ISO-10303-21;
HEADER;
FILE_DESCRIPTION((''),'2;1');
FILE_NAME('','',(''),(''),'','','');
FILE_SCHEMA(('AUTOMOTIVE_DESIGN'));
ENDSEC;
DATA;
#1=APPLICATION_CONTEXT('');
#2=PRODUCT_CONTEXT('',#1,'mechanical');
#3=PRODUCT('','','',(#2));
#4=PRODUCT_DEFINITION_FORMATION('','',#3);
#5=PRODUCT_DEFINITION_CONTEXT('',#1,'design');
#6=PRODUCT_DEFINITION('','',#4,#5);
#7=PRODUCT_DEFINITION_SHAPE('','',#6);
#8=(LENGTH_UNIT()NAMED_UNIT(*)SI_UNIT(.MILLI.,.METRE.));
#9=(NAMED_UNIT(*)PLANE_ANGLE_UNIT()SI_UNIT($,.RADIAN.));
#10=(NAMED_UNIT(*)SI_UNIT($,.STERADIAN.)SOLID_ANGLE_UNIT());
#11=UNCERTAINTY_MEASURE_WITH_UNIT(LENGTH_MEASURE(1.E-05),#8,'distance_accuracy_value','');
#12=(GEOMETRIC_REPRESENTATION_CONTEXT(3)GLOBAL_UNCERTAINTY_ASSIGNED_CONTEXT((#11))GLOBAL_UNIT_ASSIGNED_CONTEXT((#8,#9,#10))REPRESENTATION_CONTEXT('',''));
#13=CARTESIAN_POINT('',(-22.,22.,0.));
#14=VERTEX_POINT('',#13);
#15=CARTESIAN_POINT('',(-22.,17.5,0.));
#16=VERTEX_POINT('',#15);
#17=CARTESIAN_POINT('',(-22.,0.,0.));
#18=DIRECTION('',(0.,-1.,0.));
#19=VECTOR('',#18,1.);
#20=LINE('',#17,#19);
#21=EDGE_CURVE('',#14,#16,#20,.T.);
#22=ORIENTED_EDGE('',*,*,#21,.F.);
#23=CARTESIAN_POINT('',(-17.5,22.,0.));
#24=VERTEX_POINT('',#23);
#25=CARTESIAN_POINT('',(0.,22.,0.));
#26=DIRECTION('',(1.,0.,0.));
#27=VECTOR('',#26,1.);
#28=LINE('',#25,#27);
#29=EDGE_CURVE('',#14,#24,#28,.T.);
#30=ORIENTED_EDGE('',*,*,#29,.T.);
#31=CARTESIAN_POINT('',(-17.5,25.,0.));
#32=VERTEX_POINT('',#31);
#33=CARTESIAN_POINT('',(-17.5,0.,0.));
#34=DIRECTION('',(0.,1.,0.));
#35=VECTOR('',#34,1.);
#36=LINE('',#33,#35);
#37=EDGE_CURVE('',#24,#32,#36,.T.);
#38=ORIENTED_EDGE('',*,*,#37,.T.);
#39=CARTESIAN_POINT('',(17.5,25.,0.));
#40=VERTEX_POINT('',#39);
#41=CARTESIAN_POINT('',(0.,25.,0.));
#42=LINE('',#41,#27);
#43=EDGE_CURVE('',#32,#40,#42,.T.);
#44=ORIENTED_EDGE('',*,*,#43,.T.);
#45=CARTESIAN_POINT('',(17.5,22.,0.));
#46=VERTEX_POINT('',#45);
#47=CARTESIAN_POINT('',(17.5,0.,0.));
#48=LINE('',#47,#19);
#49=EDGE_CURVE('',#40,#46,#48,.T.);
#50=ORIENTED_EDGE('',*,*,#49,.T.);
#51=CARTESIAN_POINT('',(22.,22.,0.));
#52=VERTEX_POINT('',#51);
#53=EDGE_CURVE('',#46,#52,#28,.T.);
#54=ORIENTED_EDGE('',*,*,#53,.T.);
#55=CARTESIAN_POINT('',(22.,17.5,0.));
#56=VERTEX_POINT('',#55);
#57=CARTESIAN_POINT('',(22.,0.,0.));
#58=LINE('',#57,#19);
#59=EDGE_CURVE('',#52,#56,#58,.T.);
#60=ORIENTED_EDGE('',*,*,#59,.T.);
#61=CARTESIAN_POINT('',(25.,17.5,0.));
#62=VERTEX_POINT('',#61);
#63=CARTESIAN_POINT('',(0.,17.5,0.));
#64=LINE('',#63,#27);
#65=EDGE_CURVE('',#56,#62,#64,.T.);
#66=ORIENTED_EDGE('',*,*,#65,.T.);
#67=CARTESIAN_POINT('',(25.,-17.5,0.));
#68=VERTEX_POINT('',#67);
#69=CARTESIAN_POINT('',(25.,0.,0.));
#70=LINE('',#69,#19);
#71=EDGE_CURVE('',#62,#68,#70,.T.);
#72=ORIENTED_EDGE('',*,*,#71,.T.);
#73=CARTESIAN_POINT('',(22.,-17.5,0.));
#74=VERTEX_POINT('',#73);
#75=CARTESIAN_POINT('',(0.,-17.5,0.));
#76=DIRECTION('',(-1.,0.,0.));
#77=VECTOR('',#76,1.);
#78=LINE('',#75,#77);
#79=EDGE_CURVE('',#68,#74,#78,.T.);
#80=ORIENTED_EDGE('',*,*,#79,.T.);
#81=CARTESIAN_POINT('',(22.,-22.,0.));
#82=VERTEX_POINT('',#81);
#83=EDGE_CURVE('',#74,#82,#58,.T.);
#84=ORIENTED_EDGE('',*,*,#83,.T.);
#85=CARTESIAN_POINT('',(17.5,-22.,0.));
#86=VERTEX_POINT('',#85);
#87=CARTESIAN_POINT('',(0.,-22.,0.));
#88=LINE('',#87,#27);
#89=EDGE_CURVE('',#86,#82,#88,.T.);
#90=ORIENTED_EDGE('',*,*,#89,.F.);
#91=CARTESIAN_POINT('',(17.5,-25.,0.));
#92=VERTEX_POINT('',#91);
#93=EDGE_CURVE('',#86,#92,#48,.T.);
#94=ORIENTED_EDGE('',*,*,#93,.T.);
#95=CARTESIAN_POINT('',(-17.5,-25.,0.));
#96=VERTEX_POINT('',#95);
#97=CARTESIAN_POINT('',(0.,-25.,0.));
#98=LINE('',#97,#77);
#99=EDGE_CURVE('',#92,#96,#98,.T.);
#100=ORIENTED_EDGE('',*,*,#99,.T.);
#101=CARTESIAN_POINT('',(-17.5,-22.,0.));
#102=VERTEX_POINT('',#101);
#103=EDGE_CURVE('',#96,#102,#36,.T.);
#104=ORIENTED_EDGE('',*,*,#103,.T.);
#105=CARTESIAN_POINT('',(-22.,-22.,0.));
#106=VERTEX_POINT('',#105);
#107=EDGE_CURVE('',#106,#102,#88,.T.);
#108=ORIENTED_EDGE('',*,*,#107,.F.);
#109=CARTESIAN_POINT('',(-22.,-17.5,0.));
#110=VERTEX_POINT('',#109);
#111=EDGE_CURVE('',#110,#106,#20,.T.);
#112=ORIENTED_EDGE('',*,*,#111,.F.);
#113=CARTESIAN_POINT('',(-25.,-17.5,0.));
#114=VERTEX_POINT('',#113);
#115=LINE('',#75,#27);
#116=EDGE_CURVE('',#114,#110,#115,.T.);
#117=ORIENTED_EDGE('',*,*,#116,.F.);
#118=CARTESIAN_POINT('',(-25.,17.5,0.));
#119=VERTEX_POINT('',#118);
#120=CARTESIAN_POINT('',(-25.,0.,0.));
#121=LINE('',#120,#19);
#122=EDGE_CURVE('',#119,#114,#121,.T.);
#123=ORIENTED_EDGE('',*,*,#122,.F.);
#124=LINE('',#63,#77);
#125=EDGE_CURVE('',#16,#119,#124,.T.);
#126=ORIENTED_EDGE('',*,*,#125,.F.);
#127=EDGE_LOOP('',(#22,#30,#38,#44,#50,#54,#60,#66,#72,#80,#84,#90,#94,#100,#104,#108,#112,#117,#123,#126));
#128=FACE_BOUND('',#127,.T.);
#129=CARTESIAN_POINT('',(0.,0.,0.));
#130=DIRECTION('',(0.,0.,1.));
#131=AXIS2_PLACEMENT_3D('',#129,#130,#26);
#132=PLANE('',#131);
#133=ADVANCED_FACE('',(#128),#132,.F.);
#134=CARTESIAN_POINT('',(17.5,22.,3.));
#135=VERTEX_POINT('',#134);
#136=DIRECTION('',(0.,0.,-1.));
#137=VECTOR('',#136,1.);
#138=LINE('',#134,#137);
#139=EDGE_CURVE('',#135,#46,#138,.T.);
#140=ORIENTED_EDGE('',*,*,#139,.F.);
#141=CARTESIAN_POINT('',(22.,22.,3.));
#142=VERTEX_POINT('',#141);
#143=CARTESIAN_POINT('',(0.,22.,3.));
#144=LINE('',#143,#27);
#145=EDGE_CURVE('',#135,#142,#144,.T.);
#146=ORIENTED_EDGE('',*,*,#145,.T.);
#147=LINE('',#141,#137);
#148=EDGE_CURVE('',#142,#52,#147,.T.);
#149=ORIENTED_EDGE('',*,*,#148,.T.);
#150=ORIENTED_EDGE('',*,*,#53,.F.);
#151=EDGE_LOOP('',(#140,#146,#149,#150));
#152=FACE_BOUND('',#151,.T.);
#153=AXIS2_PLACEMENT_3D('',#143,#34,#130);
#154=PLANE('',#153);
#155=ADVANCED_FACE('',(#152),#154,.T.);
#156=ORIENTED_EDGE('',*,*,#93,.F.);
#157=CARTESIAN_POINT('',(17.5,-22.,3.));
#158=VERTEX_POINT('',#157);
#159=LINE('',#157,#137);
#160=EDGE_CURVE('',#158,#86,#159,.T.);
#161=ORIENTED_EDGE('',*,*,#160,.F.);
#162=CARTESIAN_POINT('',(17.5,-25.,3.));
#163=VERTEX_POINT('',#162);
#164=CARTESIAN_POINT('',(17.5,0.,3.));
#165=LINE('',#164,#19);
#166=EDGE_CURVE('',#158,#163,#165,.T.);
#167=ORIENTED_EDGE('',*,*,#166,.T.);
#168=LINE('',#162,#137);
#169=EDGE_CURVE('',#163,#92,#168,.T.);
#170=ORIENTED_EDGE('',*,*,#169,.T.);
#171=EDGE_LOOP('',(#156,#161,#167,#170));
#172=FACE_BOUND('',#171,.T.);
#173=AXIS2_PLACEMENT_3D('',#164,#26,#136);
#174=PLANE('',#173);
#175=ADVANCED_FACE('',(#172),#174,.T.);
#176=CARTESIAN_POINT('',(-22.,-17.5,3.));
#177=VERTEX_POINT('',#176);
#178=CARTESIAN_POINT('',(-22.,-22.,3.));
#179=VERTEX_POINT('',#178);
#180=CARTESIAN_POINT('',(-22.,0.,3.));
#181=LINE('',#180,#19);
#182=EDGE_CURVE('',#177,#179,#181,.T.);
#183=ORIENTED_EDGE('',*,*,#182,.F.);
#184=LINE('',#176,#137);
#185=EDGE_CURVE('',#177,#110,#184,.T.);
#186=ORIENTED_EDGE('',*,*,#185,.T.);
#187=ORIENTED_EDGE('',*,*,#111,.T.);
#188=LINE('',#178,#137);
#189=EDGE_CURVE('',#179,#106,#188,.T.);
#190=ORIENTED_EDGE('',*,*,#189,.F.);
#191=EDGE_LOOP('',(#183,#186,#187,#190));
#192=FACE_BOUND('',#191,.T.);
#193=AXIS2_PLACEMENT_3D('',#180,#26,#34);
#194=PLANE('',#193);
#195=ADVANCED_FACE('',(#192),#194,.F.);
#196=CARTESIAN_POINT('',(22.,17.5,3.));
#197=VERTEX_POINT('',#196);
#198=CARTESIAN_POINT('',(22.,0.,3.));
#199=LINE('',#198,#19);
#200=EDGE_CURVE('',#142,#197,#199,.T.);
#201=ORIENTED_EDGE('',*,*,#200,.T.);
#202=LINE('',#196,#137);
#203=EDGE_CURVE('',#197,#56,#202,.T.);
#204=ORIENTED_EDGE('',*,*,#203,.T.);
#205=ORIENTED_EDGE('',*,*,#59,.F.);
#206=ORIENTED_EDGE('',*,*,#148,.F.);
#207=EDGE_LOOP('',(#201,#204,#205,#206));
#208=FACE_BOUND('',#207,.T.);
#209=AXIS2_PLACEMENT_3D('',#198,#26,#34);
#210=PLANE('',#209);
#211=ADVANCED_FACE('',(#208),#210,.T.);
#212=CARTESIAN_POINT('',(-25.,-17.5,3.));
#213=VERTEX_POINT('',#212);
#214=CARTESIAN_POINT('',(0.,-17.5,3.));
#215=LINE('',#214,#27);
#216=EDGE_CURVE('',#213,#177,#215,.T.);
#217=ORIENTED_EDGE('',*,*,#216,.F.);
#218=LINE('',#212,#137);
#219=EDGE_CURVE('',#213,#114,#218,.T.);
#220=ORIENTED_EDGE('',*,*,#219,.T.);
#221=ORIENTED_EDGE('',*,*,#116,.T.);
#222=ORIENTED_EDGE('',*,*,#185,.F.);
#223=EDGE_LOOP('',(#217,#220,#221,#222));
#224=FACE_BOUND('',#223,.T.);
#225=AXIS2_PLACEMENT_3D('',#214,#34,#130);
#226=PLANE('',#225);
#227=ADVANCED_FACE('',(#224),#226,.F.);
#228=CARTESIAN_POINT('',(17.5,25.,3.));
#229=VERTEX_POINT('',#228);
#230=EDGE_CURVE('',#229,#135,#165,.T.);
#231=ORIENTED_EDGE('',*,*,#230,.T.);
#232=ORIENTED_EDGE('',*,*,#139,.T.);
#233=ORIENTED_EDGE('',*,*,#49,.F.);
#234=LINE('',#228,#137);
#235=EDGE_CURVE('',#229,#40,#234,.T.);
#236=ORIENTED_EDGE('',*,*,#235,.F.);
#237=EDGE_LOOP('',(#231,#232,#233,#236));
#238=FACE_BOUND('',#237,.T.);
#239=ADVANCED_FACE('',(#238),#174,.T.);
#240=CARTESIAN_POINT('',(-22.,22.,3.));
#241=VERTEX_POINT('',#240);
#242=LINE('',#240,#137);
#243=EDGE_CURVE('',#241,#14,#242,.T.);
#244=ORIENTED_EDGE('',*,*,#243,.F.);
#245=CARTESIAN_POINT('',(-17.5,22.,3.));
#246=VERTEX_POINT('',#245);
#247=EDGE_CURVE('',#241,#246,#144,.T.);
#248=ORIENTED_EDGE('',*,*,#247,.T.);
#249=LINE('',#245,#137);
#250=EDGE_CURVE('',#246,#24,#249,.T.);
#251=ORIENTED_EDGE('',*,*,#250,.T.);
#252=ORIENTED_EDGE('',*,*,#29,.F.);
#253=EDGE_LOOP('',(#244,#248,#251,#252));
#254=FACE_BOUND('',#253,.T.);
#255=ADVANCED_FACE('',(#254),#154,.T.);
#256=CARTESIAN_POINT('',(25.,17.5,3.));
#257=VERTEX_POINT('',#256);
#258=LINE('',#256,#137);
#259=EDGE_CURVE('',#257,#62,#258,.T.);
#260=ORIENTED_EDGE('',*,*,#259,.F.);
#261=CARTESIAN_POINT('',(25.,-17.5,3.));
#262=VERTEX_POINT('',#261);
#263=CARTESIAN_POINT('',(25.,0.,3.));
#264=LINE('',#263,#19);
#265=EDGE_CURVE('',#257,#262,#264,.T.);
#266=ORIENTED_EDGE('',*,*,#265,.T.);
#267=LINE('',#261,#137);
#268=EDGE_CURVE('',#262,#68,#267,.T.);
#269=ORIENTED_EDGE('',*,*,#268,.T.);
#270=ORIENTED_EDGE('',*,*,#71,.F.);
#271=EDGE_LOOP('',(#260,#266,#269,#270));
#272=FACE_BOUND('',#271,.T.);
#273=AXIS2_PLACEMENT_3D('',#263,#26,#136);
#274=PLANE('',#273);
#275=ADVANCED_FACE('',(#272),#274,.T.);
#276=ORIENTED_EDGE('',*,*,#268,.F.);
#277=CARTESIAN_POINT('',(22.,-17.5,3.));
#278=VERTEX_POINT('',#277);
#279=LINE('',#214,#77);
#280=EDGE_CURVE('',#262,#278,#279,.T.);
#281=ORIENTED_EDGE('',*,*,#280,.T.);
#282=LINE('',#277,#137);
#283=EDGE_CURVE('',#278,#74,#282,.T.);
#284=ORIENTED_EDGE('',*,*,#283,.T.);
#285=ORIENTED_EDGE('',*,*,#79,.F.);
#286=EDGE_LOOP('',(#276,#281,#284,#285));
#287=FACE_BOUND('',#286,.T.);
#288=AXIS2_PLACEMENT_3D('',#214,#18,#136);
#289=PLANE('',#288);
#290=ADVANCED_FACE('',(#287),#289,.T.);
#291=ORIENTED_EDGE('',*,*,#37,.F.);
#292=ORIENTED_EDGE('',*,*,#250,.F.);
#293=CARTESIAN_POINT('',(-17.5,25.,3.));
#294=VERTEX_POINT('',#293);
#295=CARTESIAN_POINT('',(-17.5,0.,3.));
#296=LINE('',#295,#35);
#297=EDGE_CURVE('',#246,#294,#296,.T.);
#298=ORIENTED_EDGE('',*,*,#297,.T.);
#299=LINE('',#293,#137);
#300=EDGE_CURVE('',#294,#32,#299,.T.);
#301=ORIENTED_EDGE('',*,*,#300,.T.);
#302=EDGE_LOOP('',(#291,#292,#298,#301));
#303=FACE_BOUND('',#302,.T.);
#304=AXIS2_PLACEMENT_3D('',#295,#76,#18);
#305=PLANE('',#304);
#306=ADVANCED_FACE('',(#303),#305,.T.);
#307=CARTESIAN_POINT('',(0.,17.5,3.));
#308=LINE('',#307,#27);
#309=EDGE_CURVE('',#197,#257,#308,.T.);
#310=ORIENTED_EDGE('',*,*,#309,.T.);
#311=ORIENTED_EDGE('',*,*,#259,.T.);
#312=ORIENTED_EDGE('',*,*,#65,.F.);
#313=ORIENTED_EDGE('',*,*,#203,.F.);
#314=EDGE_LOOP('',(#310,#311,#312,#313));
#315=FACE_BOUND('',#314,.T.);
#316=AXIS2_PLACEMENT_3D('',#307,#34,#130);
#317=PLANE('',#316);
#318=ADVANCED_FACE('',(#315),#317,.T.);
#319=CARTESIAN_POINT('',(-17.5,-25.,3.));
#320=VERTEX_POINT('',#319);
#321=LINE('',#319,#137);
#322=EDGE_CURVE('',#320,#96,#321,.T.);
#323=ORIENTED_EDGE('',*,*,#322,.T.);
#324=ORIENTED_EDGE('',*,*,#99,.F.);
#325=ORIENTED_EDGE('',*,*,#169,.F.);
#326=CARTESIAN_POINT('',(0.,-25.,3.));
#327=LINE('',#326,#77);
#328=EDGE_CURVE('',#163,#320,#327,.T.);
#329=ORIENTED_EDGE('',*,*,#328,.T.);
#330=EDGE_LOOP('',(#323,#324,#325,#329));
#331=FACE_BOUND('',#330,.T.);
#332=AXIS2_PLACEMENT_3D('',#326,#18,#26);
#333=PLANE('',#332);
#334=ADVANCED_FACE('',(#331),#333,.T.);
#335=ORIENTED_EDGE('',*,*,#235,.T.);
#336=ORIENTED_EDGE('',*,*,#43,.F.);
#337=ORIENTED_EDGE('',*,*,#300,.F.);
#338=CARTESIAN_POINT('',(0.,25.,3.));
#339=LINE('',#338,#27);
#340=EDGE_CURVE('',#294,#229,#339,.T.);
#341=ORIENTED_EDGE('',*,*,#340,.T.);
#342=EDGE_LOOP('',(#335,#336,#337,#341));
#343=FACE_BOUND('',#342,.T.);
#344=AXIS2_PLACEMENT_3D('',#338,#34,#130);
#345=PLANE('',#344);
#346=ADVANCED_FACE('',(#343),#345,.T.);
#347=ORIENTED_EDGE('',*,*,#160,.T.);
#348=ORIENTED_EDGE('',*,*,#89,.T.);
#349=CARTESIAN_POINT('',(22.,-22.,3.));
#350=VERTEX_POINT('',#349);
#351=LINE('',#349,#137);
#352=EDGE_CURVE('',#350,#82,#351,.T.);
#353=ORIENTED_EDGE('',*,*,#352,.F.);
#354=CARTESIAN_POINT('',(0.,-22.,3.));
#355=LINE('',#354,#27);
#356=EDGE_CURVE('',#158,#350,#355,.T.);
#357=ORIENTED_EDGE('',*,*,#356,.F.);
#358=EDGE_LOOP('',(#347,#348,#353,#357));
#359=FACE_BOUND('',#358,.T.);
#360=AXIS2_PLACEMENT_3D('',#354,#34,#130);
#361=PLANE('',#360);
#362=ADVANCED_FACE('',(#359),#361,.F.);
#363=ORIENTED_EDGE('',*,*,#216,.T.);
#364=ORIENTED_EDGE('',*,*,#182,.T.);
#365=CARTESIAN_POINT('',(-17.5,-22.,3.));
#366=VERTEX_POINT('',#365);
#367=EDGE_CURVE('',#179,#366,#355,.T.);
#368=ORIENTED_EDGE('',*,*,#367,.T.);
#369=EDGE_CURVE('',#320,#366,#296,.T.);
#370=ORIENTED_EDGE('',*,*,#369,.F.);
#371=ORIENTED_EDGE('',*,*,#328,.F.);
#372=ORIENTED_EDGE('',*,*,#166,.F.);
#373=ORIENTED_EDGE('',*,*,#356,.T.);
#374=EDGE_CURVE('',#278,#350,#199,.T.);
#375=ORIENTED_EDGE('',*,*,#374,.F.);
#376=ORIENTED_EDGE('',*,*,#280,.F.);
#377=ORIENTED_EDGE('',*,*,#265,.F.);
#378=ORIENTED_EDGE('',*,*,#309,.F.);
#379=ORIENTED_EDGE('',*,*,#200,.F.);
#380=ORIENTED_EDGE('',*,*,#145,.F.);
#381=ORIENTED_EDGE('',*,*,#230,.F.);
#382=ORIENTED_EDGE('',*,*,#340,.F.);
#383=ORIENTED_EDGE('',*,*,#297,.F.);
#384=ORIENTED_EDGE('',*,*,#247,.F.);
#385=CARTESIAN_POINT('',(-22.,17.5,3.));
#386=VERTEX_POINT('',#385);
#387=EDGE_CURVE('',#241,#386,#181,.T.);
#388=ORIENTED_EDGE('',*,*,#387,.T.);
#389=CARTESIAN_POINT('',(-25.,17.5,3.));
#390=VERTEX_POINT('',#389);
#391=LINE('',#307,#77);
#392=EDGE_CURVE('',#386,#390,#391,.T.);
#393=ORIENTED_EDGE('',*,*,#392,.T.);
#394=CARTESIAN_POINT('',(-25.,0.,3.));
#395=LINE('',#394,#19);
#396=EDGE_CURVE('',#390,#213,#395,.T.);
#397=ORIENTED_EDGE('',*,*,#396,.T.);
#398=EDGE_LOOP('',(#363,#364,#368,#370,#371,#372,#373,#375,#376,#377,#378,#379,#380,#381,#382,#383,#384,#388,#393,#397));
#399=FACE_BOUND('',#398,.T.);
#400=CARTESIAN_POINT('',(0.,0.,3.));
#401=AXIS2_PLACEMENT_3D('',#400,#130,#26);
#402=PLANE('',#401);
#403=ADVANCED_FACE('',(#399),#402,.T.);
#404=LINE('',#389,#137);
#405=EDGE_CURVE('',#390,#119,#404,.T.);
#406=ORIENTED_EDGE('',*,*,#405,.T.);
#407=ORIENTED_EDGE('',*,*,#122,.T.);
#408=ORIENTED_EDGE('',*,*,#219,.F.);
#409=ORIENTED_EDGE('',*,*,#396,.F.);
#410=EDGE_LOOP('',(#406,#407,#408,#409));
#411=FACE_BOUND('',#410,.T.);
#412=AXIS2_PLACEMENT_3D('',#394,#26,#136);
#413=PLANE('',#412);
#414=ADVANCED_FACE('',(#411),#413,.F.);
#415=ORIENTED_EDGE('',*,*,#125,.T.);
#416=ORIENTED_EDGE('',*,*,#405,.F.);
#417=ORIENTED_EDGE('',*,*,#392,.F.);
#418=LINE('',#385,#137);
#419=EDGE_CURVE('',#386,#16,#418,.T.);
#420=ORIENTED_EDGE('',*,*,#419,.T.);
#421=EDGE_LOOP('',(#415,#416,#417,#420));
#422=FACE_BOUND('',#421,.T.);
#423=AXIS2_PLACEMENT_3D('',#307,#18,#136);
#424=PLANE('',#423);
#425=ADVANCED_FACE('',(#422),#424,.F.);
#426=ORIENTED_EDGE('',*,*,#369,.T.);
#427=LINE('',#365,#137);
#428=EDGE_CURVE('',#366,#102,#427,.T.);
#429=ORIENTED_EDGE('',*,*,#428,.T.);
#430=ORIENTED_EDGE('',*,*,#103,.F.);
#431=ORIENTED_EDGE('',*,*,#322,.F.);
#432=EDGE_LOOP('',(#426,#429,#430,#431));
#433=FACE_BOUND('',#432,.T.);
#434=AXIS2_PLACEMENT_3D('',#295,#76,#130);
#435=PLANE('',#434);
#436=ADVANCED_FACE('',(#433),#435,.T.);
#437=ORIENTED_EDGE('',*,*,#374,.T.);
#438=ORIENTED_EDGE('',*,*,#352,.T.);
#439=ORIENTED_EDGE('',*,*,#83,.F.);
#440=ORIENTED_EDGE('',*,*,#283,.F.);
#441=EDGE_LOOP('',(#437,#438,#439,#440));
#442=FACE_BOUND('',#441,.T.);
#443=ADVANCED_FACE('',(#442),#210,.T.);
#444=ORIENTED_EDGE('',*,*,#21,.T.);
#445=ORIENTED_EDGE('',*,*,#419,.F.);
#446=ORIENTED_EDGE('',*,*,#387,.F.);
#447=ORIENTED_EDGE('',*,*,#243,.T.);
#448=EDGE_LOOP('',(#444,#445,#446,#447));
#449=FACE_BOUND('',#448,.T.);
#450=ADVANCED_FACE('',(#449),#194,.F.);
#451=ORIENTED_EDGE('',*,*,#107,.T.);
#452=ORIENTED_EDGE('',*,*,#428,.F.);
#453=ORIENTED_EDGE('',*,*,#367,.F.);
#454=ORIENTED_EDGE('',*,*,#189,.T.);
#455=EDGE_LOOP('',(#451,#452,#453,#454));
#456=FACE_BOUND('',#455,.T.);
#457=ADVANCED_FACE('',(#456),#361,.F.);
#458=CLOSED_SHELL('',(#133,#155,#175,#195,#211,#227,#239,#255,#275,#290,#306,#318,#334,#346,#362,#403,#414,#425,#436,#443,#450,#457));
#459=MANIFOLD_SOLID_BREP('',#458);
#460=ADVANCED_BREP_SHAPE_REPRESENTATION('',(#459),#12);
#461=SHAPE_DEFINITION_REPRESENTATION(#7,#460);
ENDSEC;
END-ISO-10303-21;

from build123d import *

# Parameters (mm, degrees)
SCHIZZO1_W                   = 35
SCHIZZO1_H                   = 3
SCHIZZO1_W_2                 = 3
SCHIZZO1_H_2                 = 35
ESTRUSIONE_ESTRUSIONE2_DEPTH = 3


with BuildPart() as part:
    # Schizzo1 → Estrusione-Estrusione2 (new body)
    with BuildSketch(Plane.XY):
        Polygon((-22, -17.5), (-22, -22), (-17.5, -22), (17.5, -22), (22, -22), (22, -17.5), (22, 17.5), (22, 22), (17.5, 22), (-17.5, 22), (-22, 22), (-22, 17.5), align=None)
        with Locations((0, -23.5)):
            Rectangle(SCHIZZO1_W, SCHIZZO1_H)
        with Locations((23.5, 0)):
            Rectangle(SCHIZZO1_W_2, SCHIZZO1_H_2)
        with Locations((-23.5, 0)):
            Rectangle(SCHIZZO1_W_2, SCHIZZO1_H_2)
        with Locations((0, 23.5)):
            Rectangle(SCHIZZO1_W, SCHIZZO1_H)
    extrude(amount=ESTRUSIONE_ESTRUSIONE2_DEPTH)


solid = part.part
